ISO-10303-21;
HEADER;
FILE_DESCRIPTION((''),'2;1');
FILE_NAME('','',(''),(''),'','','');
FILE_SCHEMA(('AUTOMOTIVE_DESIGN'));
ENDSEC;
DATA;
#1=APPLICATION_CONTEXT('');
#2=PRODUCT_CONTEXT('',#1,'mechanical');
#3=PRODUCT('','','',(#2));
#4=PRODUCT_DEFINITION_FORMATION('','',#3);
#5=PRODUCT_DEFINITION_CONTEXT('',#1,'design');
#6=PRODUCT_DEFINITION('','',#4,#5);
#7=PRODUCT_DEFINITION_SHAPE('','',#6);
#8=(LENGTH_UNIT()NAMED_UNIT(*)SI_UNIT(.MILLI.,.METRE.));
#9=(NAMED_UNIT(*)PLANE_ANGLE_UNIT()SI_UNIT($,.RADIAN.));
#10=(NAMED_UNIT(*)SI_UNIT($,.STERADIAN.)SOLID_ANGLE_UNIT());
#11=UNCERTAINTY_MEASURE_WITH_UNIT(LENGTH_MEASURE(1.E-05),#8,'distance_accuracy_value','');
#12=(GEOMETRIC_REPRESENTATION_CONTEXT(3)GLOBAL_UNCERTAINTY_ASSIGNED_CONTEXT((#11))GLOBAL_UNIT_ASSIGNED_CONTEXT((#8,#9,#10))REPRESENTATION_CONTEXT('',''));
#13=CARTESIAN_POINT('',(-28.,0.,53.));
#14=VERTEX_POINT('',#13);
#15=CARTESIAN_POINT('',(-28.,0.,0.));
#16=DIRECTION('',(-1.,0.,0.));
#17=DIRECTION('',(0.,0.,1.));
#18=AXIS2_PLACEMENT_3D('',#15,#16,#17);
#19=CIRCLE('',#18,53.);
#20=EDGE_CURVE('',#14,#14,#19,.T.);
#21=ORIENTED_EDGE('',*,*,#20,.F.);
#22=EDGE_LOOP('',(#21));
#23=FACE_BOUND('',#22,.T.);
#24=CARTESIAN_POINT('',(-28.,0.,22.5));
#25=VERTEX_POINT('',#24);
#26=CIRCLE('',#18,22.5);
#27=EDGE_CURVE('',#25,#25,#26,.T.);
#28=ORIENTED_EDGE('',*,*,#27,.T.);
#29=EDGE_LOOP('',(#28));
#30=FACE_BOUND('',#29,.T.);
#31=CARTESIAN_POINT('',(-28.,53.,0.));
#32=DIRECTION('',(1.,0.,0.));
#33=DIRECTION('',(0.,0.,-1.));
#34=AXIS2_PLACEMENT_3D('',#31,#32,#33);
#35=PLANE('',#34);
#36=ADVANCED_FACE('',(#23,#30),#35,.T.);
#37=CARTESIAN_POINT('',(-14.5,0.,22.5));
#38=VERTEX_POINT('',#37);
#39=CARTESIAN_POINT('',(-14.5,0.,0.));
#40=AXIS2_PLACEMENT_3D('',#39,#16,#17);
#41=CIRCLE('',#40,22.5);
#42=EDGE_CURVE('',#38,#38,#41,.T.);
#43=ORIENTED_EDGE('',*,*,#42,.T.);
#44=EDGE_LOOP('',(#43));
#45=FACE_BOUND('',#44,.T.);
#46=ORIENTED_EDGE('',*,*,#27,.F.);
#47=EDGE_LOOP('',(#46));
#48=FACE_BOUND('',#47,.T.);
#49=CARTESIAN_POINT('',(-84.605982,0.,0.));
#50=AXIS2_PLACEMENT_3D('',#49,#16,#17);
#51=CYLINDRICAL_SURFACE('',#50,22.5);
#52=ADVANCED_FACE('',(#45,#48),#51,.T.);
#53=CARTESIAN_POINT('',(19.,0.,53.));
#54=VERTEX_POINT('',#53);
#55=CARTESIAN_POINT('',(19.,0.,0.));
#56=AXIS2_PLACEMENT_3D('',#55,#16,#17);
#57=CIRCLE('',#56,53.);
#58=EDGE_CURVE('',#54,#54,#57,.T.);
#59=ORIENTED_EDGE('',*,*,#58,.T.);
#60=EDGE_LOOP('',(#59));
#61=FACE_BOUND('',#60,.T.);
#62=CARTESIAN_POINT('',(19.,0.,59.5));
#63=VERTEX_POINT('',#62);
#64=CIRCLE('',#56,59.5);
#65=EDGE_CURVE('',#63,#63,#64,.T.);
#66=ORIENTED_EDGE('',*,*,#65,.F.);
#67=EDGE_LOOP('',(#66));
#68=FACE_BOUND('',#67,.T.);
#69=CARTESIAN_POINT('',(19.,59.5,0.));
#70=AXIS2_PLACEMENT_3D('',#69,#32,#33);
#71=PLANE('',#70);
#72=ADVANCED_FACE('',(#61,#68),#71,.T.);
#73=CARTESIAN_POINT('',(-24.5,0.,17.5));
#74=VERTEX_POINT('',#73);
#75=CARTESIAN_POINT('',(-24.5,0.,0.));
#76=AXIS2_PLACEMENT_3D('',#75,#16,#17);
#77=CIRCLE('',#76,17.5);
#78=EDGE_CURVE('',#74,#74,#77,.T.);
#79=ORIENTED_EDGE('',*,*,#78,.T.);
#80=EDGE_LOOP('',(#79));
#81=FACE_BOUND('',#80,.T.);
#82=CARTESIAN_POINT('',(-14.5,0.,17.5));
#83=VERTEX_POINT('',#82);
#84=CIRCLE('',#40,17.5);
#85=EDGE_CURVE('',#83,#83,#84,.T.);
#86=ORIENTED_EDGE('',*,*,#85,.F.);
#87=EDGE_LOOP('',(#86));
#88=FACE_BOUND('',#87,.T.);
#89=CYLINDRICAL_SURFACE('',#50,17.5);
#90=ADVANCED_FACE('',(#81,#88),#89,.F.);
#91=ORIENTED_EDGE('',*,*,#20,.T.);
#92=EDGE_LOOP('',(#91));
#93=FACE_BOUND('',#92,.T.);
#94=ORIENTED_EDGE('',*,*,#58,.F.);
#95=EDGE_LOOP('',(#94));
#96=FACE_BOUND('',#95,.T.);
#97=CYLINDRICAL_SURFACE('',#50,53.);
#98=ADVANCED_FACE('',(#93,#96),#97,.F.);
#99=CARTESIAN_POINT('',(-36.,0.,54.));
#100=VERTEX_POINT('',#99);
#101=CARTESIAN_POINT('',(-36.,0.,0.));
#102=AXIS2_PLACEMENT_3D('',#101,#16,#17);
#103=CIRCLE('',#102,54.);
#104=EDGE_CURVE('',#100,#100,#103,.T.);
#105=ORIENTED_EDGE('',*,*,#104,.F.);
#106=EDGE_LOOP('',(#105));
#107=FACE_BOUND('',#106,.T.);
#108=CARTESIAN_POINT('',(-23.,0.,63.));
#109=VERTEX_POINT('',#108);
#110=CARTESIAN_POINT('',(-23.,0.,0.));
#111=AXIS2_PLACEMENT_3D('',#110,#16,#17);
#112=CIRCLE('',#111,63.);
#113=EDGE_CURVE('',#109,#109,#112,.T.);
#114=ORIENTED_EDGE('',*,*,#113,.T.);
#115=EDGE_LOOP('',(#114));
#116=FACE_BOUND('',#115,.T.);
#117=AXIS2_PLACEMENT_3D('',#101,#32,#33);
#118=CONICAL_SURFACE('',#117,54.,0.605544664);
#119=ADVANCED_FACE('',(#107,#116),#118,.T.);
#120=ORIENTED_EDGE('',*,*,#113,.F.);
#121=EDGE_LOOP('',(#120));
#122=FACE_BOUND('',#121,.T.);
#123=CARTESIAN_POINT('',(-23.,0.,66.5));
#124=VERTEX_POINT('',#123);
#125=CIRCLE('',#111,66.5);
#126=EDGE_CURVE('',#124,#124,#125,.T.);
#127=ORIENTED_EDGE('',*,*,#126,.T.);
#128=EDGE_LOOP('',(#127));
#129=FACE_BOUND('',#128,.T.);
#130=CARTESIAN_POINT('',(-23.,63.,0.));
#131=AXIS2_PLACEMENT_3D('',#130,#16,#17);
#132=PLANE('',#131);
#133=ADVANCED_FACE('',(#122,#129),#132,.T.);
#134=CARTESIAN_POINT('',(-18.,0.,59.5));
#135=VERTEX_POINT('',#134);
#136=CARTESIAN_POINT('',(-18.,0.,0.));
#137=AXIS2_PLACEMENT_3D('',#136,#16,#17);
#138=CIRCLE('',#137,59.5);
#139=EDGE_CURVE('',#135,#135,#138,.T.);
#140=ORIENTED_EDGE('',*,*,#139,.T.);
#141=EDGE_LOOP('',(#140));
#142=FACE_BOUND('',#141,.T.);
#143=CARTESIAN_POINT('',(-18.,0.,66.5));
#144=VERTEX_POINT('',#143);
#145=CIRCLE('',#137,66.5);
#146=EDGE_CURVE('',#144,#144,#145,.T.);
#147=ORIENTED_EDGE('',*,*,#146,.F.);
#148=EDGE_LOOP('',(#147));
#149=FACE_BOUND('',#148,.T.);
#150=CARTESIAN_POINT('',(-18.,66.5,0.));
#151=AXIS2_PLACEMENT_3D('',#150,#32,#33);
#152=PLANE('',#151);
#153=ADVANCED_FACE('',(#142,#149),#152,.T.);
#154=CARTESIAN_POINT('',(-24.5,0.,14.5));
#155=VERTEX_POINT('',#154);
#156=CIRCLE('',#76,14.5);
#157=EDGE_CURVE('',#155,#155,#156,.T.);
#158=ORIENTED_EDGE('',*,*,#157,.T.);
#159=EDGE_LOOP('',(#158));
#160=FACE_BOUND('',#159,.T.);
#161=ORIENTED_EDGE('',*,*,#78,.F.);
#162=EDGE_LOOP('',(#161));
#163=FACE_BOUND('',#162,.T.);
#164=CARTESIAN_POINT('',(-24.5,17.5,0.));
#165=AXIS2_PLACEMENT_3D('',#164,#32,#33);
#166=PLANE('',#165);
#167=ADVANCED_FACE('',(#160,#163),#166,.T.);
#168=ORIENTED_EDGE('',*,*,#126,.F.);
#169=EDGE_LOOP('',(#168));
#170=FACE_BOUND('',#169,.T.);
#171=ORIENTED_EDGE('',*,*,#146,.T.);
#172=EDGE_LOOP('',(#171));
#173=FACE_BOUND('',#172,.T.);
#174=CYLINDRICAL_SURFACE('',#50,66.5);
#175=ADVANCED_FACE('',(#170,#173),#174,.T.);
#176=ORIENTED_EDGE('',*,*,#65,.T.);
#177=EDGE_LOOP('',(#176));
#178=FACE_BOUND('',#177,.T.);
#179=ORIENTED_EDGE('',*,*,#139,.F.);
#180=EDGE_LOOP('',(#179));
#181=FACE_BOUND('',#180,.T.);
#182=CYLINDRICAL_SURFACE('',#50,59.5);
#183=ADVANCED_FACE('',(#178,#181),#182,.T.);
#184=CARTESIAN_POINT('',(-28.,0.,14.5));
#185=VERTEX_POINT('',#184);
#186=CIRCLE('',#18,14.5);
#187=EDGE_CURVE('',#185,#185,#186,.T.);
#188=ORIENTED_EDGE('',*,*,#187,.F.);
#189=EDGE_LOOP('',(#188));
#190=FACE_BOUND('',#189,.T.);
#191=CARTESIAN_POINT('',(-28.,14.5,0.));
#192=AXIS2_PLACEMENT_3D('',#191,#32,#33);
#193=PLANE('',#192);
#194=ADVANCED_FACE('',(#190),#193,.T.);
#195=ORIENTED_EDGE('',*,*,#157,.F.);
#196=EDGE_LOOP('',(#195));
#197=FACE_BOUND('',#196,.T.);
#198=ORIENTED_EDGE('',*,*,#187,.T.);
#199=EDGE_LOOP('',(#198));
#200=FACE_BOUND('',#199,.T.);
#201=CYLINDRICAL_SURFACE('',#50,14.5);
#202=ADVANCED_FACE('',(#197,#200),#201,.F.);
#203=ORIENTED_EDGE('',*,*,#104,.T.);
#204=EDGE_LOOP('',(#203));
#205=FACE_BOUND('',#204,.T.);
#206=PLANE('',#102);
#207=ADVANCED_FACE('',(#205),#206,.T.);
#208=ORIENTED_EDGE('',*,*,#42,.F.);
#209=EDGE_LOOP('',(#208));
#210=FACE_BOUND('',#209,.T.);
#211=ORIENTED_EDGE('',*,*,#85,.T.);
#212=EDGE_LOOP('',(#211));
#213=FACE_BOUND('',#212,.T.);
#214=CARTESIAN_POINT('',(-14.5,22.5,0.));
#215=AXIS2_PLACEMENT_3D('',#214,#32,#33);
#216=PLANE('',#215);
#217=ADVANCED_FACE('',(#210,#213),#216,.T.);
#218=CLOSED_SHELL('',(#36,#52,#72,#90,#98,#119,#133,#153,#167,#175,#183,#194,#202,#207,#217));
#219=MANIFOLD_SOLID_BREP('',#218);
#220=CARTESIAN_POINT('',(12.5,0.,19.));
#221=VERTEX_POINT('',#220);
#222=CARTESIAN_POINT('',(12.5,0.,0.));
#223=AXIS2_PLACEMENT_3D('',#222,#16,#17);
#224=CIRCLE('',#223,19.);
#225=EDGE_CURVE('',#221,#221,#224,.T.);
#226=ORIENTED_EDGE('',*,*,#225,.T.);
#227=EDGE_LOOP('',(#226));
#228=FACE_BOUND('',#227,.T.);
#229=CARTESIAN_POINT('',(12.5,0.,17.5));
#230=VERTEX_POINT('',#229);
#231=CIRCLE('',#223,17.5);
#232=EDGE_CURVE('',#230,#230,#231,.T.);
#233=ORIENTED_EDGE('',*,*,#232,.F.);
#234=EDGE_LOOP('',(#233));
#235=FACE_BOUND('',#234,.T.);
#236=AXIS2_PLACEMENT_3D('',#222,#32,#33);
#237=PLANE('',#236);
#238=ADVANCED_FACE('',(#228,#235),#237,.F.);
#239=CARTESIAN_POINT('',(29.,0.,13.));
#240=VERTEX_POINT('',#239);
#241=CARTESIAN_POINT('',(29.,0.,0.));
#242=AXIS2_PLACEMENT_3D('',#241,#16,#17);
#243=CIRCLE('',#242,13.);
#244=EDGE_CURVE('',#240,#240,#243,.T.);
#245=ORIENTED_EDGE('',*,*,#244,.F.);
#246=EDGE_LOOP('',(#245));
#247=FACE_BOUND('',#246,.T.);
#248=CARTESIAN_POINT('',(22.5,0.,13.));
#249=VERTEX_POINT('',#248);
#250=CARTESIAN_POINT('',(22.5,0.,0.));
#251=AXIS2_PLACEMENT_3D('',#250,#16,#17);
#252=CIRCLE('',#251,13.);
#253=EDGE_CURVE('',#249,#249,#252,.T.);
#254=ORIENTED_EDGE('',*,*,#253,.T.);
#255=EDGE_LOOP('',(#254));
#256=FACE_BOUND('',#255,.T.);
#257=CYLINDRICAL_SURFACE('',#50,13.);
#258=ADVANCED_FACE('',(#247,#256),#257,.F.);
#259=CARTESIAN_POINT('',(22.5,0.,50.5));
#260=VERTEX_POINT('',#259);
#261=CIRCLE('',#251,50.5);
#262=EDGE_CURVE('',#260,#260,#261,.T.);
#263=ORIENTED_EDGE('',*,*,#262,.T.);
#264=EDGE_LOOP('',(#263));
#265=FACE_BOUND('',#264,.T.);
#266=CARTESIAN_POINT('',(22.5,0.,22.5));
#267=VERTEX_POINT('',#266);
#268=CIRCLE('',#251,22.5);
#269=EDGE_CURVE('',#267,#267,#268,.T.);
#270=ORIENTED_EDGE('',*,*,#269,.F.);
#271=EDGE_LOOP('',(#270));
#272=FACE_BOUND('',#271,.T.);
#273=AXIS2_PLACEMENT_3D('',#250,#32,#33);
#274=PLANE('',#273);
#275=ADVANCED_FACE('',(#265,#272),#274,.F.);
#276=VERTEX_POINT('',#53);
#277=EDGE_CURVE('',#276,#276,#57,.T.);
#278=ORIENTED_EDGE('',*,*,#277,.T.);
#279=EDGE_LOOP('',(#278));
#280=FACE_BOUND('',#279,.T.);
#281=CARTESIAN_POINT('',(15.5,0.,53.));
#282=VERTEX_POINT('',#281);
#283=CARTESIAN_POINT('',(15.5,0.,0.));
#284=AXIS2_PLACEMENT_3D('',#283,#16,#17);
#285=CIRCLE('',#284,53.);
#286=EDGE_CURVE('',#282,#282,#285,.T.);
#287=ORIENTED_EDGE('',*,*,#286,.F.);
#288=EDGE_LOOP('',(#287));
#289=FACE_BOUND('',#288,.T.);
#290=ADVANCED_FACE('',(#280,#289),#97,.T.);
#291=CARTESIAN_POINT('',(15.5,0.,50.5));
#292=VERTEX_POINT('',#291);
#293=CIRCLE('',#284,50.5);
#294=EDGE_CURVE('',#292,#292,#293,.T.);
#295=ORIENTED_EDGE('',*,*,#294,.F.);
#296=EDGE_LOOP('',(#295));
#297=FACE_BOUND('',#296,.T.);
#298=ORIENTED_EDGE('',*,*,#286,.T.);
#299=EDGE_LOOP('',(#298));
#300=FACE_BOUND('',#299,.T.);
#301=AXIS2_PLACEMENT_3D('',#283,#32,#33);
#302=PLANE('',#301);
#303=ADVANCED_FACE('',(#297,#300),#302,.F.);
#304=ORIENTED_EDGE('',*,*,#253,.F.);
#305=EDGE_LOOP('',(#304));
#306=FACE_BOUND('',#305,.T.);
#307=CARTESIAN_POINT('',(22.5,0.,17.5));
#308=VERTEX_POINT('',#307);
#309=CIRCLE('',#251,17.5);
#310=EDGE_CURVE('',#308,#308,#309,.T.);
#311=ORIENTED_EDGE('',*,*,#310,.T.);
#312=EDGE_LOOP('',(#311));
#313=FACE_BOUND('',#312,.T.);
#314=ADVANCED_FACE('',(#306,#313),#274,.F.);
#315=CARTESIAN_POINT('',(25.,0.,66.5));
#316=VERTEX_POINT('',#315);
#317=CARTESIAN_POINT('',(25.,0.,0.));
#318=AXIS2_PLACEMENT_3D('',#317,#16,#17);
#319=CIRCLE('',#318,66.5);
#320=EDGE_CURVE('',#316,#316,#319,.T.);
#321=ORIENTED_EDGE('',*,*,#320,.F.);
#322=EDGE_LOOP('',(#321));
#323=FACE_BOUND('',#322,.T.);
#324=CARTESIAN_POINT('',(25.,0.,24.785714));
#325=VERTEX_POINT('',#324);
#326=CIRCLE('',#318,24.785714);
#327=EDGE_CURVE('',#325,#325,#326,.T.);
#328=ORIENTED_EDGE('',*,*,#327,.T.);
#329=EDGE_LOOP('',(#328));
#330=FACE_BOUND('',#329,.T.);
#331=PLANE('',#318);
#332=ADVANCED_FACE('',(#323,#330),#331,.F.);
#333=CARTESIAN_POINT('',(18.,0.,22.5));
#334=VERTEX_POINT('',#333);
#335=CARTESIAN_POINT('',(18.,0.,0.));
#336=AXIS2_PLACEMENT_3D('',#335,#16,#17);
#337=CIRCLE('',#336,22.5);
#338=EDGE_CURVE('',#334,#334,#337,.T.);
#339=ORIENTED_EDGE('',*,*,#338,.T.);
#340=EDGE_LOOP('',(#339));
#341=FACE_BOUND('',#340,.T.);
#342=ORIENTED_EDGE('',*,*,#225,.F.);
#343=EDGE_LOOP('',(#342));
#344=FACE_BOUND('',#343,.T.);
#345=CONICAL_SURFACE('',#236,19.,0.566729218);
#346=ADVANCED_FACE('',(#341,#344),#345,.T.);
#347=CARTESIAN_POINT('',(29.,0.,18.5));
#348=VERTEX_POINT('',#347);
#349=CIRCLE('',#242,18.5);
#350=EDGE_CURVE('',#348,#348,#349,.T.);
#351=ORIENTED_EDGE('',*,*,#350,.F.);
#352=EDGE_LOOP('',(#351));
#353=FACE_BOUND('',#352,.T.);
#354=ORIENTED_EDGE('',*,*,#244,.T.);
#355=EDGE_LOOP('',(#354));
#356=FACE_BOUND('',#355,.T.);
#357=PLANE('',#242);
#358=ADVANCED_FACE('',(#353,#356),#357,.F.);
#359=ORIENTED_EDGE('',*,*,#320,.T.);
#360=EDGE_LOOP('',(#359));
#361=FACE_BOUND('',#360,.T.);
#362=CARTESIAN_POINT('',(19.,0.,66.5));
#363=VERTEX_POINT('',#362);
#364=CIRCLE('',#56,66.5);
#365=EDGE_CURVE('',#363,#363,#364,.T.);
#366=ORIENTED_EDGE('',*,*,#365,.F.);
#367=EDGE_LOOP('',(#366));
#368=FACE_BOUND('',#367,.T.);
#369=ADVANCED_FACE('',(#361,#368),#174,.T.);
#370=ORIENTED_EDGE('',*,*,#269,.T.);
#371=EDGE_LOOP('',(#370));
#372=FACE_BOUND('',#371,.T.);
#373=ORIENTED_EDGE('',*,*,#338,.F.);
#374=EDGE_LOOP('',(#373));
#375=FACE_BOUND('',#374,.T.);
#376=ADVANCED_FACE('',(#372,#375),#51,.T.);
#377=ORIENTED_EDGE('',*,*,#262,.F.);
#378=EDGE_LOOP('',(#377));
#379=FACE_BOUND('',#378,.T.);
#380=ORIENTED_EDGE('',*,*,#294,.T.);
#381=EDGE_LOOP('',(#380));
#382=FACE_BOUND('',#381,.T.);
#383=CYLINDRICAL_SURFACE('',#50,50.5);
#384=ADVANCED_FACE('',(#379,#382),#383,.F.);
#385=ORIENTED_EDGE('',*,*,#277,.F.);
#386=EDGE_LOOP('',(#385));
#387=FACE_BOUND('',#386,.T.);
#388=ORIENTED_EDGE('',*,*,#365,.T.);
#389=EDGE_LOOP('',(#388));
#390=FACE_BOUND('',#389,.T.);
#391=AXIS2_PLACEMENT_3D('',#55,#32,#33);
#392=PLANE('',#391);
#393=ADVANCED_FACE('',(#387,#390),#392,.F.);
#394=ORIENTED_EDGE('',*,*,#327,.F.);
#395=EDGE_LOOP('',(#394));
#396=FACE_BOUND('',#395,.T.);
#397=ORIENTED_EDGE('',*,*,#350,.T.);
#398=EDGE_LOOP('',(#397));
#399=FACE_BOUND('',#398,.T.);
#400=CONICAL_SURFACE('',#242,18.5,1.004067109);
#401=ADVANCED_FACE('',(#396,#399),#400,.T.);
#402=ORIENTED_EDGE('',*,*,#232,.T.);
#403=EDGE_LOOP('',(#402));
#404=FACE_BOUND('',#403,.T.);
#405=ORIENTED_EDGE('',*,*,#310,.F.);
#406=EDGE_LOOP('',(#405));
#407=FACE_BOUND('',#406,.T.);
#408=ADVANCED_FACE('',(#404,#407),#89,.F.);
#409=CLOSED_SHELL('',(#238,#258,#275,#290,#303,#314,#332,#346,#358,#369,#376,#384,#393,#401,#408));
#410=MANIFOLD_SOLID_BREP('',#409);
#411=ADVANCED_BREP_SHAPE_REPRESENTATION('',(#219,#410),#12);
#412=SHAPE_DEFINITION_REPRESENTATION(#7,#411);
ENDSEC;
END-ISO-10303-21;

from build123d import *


with BuildPart() as part:
    # Sketch2 → Revolve1 (revolve)
    with BuildSketch(Plane.XY, mode=Mode.PRIVATE) as revolve1_sk:
        Polygon((-36, 0), (-36, 54), (-23, 63), (-23, 66.5), (-18, 66.5), (-18, 59.5), (19, 59.5), (19, 53), (-28, 53), (-28, 22.5), (-14.5, 22.5), (-14.5, 17.5), (-24.5, 17.5), (-24.5, 14.5), (-28, 14.5), (-28, 0), align=None)
    revolve(revolve1_sk.sketch.rotate(Axis((-84.605982482, 0, 0), (1, 0, 0)), 90), axis=Axis((-84.605982482, 0, 0), (1, 0, 0)))  # turned: the seam where the file's is


with BuildPart() as body_2:
    # Sketch2_3 → Revolve2 (revolve)
    with BuildSketch(Plane.XY, mode=Mode.PRIVATE) as revolve2_sk:
        Polygon((19, 66.5), (19, 59.5), (19, 53), (15.5, 53), (15.5, 50.5), (22.5, 50.5), (22.5, 22.5), (18, 22.5), (12.5, 19), (12.5, 17.5), (22.5, 17.5), (22.5, 13), (29, 13), (29, 18.5), (25, 24.785714286), (25, 66.5), align=None)
    revolve(revolve2_sk.sketch.rotate(Axis((-84.605982482, 0, 0), (1, 0, 0)), 90), axis=Axis((-84.605982482, 0, 0), (1, 0, 0)))  # turned: the seam where the file's is


solid = Compound([part.part, body_2.part])
